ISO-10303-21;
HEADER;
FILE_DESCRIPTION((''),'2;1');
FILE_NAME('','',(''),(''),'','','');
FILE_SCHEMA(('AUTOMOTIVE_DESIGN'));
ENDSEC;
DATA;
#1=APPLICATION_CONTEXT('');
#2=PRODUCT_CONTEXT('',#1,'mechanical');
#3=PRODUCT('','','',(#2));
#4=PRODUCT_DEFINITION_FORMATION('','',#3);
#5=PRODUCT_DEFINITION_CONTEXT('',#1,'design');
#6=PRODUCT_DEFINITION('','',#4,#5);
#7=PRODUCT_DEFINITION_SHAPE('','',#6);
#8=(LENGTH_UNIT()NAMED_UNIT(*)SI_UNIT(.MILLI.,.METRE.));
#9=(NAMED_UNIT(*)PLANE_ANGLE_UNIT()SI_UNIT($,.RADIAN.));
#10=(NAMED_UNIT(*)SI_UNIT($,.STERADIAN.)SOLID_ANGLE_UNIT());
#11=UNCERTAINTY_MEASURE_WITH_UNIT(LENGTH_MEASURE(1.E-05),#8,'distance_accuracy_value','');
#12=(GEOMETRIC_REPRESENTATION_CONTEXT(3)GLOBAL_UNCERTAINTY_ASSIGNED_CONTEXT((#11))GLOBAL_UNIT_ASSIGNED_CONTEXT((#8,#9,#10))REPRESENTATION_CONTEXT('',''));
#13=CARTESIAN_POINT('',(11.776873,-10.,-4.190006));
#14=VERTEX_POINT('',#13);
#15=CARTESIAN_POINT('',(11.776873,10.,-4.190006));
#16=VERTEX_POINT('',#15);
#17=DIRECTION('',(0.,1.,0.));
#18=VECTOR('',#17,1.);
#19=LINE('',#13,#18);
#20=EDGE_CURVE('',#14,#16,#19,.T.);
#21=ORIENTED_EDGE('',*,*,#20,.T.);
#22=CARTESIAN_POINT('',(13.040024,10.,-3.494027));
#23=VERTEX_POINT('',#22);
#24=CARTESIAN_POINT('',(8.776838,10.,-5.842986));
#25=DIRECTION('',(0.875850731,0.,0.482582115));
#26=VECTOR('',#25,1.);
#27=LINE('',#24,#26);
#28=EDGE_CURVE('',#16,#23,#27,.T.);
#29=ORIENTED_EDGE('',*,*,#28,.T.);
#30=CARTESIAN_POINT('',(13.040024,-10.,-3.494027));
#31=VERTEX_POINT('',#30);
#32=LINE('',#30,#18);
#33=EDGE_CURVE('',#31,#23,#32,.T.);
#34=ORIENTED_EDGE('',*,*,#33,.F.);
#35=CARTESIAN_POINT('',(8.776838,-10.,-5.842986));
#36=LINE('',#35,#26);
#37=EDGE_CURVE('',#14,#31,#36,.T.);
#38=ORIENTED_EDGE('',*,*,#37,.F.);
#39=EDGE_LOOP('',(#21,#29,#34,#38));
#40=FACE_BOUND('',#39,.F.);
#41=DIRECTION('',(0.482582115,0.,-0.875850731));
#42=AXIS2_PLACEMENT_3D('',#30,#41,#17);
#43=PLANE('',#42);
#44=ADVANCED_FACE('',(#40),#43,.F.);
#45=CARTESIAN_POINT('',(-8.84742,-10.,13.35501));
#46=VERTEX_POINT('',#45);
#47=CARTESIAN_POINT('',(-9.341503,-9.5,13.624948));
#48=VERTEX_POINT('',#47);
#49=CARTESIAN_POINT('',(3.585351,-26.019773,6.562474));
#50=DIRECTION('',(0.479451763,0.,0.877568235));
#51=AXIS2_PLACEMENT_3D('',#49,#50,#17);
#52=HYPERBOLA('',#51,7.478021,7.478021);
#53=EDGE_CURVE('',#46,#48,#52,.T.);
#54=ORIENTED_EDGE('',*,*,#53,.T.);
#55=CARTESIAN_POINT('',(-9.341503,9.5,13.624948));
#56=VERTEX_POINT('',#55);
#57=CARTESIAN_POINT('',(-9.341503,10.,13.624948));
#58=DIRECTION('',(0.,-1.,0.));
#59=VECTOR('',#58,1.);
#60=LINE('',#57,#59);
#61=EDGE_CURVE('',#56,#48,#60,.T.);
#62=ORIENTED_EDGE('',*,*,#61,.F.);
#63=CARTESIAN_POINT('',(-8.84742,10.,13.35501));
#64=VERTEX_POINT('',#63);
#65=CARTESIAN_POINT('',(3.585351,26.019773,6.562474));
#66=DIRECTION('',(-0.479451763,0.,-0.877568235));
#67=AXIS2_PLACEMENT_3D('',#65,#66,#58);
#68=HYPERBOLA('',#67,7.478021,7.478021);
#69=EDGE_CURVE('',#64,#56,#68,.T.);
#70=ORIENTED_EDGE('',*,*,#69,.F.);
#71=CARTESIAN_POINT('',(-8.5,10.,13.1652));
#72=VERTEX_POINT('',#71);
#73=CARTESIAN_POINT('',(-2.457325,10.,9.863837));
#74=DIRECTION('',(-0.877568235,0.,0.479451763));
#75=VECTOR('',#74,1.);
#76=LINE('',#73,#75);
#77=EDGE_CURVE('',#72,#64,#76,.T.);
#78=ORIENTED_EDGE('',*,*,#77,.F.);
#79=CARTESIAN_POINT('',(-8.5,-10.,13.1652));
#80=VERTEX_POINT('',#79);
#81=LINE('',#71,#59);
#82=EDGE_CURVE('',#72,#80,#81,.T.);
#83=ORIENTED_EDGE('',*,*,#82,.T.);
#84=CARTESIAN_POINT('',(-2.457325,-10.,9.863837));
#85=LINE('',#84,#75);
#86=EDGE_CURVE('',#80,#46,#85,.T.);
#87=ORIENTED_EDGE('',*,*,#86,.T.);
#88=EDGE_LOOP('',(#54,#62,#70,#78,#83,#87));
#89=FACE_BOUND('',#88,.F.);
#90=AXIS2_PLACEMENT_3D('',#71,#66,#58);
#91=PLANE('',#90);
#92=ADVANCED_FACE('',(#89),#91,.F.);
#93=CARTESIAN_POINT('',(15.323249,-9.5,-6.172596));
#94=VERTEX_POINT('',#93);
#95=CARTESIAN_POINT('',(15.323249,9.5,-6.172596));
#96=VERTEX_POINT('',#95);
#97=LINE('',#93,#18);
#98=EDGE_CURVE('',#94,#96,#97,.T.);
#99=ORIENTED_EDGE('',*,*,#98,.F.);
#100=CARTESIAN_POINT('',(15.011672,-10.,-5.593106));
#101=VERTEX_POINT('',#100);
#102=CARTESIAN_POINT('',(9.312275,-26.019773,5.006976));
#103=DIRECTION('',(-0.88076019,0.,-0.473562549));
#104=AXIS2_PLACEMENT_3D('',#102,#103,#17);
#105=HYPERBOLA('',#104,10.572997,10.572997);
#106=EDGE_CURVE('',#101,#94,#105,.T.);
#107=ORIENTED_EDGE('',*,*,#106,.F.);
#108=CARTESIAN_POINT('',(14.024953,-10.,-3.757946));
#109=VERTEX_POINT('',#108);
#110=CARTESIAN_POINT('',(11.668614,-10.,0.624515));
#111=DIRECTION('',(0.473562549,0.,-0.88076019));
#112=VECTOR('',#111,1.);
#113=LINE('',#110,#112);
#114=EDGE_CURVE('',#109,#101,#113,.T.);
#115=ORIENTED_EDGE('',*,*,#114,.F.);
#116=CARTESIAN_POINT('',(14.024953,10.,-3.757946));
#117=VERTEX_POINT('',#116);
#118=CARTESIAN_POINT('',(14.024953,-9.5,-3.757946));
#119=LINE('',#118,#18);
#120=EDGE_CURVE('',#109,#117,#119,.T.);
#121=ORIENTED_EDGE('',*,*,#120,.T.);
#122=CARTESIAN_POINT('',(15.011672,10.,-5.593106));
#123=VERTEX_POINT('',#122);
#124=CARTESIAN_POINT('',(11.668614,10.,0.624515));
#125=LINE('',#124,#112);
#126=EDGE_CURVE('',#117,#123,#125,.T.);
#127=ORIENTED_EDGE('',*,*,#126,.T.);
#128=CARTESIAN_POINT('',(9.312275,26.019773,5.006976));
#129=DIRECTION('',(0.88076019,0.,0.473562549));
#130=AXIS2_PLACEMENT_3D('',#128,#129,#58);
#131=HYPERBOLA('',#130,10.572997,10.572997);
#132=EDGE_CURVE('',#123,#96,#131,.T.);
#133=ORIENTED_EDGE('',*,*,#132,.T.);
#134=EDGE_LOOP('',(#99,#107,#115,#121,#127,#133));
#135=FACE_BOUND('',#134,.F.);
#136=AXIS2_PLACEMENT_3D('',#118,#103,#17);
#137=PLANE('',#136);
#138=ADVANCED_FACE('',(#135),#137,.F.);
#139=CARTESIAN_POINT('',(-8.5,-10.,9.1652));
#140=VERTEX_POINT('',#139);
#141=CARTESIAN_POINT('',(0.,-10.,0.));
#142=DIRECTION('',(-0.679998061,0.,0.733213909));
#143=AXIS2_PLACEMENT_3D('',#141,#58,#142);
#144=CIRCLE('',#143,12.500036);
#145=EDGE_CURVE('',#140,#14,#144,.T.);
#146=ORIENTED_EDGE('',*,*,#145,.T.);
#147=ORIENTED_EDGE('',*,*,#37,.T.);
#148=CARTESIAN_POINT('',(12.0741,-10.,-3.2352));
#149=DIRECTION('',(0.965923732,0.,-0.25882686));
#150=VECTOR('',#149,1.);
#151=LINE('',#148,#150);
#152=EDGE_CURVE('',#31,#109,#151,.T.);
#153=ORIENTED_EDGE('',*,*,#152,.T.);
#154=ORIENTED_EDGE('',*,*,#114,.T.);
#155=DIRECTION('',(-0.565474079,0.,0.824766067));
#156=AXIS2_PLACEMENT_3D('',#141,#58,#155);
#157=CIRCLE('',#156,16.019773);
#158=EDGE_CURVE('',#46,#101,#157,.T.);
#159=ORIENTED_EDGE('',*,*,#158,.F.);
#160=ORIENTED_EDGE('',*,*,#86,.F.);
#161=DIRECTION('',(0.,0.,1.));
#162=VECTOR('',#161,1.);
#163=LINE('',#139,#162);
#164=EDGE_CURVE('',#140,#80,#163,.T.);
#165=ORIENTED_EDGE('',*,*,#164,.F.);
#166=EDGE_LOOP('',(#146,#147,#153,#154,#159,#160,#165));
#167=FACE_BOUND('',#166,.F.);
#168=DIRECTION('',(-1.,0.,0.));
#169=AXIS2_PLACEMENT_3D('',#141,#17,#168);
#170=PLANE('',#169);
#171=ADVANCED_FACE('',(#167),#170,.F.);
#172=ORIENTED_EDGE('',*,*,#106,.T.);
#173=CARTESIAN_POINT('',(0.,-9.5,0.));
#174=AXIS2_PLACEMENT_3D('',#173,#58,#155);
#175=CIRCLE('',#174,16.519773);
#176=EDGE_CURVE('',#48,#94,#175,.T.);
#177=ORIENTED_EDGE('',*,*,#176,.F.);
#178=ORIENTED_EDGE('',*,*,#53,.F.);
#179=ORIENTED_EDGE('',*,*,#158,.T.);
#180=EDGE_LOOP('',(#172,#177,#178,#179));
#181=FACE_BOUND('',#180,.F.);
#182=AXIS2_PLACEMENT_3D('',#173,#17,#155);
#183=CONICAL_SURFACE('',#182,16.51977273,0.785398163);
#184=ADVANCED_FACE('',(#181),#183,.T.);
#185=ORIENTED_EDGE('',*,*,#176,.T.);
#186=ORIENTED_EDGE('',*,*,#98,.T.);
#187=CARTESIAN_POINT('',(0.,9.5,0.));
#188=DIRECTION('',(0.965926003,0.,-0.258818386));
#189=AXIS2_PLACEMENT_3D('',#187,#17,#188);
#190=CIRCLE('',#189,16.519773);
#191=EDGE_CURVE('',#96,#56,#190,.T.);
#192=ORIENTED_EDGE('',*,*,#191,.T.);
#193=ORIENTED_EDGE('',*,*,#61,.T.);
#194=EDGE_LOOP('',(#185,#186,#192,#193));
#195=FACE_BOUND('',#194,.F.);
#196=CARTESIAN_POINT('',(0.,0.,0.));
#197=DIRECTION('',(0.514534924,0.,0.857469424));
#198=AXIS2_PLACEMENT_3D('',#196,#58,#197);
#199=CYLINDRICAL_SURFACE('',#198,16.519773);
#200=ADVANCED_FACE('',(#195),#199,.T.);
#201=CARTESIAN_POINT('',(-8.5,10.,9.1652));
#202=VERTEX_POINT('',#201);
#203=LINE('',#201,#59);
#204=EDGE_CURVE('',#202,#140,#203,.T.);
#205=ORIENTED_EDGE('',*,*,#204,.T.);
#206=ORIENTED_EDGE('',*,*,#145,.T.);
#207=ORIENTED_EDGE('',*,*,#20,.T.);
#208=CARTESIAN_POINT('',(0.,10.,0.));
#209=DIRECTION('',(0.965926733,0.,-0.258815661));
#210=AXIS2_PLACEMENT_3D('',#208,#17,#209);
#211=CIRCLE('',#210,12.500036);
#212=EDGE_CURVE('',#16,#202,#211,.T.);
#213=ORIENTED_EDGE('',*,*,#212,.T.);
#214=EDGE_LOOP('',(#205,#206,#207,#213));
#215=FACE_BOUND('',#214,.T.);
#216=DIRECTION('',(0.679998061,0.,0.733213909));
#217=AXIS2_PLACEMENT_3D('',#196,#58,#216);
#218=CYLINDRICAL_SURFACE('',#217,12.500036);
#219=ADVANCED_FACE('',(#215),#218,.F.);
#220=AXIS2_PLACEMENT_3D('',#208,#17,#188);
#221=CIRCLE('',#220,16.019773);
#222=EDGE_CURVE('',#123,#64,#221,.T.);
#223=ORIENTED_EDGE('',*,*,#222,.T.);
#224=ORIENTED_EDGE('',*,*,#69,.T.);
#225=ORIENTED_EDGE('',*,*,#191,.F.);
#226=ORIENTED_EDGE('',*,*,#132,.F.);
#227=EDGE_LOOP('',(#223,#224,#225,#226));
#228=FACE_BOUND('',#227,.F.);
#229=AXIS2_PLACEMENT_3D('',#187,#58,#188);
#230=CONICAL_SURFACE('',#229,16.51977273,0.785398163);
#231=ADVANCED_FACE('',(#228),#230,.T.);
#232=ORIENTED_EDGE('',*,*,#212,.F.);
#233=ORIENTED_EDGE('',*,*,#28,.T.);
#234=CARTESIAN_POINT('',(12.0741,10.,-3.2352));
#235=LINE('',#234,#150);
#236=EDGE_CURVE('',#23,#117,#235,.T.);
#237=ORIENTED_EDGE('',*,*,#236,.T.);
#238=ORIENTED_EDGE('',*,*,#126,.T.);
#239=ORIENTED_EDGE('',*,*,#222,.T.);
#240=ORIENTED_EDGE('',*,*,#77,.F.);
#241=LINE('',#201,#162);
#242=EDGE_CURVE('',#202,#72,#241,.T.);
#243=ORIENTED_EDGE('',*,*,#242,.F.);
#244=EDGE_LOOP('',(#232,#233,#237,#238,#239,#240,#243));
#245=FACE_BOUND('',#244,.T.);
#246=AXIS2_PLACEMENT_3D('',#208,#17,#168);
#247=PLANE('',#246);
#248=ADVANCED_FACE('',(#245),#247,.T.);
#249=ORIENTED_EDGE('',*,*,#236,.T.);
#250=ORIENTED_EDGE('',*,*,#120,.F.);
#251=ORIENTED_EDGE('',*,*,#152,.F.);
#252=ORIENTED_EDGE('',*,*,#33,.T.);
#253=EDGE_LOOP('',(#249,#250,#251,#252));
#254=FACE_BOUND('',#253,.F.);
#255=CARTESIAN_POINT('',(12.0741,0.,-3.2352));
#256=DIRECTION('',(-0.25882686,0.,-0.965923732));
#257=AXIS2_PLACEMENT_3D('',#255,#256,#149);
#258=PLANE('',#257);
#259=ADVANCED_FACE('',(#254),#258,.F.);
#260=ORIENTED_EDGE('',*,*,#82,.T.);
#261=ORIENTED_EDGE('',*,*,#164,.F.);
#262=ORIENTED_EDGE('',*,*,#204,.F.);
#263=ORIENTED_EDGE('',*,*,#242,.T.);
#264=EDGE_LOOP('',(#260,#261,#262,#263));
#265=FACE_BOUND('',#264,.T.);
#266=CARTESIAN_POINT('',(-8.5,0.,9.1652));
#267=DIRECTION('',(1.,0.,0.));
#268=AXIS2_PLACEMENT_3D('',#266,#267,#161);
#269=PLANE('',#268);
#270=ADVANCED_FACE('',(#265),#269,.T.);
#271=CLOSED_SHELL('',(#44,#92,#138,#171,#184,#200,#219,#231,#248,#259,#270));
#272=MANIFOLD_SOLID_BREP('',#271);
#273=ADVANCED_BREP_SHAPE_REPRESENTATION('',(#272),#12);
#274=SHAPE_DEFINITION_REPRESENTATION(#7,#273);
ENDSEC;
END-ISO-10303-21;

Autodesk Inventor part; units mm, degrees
ref_plane "YZ Plane" through (0, 0, 0) normal (1, 0, 0) x (0, 1, 0)
ref_plane "XZ Plane" through (0, 0, 0) normal (0, 1, 0) x (-1, 0, 0)
ref_plane "XY Plane" through (0, 0, 0) normal (0, 0, 1) x (1, 0, 0)
sketch "Esquisse1" plane through (0, 0, 0) normal (0, 1, 0) x (-1, 0, 0)
  arc A0 (-8.5, 9.1652) -> (8.5, 9.1652) centre (0, 0) ccw
  line L0 (8.5, 9.1652) -> (8.5, 14.1652)
  line L1 (-8.5, 9.1652) -> (-8.5, 14.1652)
  arc A1 (-8.5, 14.1652) -> (8.5, 14.1652) centre (0, 0) ccw
  line L2 (-12.0741, -3.2352) -> (-15.9568, -4.2756)
  line L3 (23.1276, 0) -> (-23.1276, 0) projected
  point P0 (-14.1537, -8.5191)
  dimension "d0" = 12.5
  dimension "d1" = 5
  dimension "d2" = 17
  dimension "d11" = 15
extrude "Extrusion1" add sketch "Esquisse1" along normal mid plane 20 contours A0 L3 A1 L2 | A0 L0 A1 L3 picked at (15.0221, -1.3088)
chamfer "Chanfrein1" distance 1 angle 45 2 edges at (-8.5, 0, 14.1652) (12.0741, 0, -3.2352)
chamfer "Chanfrein2" distance 0.5 angle 45 2 edges at (-9.5419, 10, -13.4853) (-9.5419, -10, -13.4853)
chamfer "Chanfrein3" distance 2 angle 45 1 edges at (15.9568, 0, -4.2756)
properties part number "viseur_base"
